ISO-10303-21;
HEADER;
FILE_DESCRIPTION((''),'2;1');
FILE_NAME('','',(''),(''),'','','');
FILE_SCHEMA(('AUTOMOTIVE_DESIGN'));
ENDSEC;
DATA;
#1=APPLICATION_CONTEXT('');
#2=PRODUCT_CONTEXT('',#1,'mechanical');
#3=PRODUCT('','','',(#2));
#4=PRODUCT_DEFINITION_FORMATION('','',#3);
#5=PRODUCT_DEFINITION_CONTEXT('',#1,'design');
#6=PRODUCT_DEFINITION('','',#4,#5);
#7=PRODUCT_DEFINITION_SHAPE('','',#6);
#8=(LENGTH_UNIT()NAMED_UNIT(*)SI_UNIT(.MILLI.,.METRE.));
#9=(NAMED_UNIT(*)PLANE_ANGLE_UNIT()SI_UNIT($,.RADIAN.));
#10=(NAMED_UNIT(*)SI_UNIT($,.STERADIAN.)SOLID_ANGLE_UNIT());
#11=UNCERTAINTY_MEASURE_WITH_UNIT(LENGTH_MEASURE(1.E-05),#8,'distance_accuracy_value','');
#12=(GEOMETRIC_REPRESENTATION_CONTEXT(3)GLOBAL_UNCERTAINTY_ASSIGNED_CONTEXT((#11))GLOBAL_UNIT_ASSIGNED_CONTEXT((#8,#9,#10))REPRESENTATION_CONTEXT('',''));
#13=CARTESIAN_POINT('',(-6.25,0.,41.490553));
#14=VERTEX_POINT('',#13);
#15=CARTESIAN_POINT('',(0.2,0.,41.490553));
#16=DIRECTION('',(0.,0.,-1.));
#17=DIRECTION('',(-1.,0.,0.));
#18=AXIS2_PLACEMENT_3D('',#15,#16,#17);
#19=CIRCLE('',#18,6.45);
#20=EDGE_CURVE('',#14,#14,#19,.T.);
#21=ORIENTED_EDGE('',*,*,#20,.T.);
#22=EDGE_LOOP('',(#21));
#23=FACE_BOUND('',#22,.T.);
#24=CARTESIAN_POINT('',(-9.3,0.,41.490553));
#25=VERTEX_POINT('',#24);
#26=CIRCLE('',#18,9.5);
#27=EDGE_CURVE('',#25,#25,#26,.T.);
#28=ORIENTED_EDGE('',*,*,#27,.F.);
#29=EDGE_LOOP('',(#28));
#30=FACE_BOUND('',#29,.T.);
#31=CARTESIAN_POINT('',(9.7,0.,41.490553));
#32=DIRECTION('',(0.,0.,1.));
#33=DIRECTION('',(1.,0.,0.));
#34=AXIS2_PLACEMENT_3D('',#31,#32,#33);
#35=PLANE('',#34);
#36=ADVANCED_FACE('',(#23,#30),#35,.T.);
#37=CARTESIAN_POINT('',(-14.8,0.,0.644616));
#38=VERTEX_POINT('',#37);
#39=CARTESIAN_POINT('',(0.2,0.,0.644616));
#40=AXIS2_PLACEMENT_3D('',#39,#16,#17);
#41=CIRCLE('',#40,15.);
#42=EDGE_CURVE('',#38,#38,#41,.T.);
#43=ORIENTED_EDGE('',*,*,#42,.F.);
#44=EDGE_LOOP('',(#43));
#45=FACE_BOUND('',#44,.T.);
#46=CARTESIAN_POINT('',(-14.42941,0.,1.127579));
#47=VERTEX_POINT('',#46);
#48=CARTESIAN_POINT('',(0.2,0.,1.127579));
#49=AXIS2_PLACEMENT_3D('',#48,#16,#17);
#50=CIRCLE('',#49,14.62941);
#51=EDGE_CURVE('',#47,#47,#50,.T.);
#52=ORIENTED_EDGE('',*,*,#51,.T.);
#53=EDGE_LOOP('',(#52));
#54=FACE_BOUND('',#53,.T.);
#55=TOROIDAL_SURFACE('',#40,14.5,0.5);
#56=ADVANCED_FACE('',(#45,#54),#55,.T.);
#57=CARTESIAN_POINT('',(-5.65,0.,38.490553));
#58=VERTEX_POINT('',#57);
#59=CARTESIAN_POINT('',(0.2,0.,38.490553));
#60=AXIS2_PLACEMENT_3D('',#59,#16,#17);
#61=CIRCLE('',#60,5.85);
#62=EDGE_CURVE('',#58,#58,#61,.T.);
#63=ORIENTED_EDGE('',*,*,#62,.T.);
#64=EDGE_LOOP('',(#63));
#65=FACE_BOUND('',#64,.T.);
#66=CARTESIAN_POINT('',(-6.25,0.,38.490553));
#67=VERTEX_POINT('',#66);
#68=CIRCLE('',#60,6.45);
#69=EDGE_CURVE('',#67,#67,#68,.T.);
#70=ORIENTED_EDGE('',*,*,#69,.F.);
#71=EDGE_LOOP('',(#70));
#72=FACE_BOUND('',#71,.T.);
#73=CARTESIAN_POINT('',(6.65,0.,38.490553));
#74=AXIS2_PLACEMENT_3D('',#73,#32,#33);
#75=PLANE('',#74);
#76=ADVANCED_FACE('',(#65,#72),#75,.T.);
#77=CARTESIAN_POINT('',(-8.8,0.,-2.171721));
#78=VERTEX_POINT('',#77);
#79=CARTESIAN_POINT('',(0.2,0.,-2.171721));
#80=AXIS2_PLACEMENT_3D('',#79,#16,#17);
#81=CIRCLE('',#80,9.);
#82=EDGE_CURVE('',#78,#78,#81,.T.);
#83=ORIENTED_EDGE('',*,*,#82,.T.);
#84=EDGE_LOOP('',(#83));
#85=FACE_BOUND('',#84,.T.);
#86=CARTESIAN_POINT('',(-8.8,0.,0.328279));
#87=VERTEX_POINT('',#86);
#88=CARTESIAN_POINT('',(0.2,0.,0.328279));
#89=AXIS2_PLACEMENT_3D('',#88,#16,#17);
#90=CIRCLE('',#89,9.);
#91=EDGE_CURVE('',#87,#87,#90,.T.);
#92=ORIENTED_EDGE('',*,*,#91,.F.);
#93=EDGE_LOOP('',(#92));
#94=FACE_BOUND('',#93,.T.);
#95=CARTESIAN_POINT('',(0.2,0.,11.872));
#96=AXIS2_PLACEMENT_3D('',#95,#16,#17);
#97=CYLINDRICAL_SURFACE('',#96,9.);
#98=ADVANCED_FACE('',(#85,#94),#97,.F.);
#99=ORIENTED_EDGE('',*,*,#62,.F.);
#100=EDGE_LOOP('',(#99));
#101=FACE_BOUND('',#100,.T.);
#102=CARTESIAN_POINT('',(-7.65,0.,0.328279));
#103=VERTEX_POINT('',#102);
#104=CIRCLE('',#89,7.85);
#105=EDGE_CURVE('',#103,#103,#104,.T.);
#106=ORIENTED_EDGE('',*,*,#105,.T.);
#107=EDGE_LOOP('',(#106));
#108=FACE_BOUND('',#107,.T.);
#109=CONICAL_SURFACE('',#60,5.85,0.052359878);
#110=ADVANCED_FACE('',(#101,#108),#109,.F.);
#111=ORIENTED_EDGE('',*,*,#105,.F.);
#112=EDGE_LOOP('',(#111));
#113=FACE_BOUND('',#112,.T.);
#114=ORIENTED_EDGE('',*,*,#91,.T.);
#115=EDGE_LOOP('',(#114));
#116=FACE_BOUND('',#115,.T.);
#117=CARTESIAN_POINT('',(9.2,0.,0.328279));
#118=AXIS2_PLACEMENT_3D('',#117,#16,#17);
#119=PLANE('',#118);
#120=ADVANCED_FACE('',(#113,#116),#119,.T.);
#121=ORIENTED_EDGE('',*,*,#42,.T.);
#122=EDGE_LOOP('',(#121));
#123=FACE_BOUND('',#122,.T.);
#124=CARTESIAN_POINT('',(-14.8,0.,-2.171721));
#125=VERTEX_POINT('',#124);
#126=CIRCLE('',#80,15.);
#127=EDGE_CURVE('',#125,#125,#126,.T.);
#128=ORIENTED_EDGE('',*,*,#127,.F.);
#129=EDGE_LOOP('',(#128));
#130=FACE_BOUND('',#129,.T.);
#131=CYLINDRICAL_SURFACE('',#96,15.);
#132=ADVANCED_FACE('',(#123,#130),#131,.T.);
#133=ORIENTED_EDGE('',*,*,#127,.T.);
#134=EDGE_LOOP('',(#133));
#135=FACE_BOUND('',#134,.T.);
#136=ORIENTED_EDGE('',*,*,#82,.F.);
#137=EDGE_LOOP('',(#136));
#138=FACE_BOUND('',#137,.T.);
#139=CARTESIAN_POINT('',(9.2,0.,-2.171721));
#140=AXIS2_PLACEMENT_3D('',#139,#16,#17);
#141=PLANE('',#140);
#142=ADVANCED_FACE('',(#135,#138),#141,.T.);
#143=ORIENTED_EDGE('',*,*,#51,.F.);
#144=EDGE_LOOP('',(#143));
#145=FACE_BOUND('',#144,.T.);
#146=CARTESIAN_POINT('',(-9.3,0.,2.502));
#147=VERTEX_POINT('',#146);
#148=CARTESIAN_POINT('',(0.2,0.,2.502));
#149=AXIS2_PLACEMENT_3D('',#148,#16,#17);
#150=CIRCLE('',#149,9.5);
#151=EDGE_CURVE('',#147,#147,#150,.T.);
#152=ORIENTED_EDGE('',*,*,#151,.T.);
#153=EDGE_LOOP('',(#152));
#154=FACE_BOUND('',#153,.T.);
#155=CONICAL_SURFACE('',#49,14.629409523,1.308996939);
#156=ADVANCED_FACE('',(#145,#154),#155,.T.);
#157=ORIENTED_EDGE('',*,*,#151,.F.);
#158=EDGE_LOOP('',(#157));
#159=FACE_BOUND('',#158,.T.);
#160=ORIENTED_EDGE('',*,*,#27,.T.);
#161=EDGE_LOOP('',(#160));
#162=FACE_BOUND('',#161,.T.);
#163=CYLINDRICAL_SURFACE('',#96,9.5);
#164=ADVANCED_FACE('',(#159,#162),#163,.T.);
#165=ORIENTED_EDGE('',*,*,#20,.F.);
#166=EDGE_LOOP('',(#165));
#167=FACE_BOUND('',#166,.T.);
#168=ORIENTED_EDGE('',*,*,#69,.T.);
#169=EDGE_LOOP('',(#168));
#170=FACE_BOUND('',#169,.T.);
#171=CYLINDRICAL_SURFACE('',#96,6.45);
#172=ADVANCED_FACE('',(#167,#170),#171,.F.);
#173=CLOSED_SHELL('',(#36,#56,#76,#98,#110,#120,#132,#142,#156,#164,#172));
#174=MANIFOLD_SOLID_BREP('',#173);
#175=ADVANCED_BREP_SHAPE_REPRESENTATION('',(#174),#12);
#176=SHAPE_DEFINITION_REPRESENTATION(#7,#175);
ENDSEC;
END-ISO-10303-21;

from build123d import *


with BuildPart() as part:
    # Sketch1 → Revolve1 (revolve)
    with BuildSketch(Plane.XZ):
        with BuildLine():
            Line((9.7, 2.502), (9.7, 12.002))
            Line((9.7, 12.002), (9.7, 41.490552817))
            Line((9.7, 41.490552817), (6.65, 41.490552817))
            Line((6.65, 41.490552817), (6.65, 38.490552817))
            Line((6.65, 38.490552817), (6.05, 38.490552817))
            Line((6.05, 38.490552817), (8.05, 0.328279442))
            Line((8.05, 0.328279442), (9.2, 0.328279442))
            Line((9.2, 0.328279442), (9.2, -2.171720558))
            Line((9.2, -2.171720558), (15.2, -2.171720558))
            Line((15.2, -2.171720558), (15.2, 0.644615948))
            ThreePointArc((15.2, 0.644615948), (15.09667667, 0.948996662), (14.829409523, 1.127578861))
            Line((14.829409523, 1.127578861), (9.7, 2.502))
        make_face()
    revolve(axis=Axis((0.2, 0, 11.872), (0, 0, -1)))


solid = part.part
